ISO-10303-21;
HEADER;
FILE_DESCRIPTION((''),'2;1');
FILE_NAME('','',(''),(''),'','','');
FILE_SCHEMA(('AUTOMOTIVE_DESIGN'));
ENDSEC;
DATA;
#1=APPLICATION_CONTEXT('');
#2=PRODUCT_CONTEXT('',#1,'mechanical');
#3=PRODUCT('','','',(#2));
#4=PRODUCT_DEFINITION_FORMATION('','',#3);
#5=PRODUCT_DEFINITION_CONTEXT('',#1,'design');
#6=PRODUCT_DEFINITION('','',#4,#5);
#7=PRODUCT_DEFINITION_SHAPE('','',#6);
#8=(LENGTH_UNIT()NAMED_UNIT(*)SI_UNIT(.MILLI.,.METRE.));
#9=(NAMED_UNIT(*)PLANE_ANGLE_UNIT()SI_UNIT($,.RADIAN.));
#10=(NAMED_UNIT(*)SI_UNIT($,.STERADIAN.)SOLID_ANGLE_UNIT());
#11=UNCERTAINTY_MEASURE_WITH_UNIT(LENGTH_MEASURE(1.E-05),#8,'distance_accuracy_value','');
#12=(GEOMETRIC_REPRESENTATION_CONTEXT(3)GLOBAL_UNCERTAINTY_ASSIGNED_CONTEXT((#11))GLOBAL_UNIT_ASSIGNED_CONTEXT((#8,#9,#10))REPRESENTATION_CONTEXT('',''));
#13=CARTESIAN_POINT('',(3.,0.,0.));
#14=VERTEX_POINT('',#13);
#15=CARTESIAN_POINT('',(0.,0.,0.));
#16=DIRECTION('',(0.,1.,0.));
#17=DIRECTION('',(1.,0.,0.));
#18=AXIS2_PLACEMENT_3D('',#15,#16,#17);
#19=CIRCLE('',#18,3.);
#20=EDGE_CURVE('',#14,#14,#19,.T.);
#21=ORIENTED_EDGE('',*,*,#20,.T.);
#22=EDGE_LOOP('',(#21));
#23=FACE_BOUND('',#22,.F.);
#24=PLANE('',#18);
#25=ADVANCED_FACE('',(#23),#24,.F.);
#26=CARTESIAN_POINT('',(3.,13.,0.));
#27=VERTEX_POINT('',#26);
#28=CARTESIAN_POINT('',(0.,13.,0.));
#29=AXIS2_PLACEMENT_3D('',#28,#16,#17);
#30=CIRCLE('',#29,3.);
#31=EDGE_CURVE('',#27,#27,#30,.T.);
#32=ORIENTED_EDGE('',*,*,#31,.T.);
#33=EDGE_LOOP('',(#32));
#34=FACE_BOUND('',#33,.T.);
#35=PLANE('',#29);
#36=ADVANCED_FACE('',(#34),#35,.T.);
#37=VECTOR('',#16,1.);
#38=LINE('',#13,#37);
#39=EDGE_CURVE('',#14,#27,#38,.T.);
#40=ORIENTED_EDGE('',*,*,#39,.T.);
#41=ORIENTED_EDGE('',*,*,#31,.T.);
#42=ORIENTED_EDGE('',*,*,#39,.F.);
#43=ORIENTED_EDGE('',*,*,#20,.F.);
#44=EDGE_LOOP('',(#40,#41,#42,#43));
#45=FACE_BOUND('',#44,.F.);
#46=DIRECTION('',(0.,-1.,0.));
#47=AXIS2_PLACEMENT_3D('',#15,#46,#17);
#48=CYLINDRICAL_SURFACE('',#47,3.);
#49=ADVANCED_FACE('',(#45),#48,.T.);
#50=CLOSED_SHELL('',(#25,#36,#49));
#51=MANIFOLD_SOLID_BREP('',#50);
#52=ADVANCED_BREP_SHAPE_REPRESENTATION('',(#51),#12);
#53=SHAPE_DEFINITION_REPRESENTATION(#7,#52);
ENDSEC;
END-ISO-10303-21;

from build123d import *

# Parameters (mm, degrees)
SKETCH1_R           = 3
BOSS_EXTRUDE1_DEPTH = 13


with BuildPart() as part:
    # Sketch1 → Boss-Extrude1 (new body)
    with BuildSketch(Plane(origin=(0, 0, 0), x_dir=(1, 0, 0), z_dir=(0, 1, 0))):
        Circle(SKETCH1_R)
    extrude(amount=BOSS_EXTRUDE1_DEPTH)


solid = part.part
